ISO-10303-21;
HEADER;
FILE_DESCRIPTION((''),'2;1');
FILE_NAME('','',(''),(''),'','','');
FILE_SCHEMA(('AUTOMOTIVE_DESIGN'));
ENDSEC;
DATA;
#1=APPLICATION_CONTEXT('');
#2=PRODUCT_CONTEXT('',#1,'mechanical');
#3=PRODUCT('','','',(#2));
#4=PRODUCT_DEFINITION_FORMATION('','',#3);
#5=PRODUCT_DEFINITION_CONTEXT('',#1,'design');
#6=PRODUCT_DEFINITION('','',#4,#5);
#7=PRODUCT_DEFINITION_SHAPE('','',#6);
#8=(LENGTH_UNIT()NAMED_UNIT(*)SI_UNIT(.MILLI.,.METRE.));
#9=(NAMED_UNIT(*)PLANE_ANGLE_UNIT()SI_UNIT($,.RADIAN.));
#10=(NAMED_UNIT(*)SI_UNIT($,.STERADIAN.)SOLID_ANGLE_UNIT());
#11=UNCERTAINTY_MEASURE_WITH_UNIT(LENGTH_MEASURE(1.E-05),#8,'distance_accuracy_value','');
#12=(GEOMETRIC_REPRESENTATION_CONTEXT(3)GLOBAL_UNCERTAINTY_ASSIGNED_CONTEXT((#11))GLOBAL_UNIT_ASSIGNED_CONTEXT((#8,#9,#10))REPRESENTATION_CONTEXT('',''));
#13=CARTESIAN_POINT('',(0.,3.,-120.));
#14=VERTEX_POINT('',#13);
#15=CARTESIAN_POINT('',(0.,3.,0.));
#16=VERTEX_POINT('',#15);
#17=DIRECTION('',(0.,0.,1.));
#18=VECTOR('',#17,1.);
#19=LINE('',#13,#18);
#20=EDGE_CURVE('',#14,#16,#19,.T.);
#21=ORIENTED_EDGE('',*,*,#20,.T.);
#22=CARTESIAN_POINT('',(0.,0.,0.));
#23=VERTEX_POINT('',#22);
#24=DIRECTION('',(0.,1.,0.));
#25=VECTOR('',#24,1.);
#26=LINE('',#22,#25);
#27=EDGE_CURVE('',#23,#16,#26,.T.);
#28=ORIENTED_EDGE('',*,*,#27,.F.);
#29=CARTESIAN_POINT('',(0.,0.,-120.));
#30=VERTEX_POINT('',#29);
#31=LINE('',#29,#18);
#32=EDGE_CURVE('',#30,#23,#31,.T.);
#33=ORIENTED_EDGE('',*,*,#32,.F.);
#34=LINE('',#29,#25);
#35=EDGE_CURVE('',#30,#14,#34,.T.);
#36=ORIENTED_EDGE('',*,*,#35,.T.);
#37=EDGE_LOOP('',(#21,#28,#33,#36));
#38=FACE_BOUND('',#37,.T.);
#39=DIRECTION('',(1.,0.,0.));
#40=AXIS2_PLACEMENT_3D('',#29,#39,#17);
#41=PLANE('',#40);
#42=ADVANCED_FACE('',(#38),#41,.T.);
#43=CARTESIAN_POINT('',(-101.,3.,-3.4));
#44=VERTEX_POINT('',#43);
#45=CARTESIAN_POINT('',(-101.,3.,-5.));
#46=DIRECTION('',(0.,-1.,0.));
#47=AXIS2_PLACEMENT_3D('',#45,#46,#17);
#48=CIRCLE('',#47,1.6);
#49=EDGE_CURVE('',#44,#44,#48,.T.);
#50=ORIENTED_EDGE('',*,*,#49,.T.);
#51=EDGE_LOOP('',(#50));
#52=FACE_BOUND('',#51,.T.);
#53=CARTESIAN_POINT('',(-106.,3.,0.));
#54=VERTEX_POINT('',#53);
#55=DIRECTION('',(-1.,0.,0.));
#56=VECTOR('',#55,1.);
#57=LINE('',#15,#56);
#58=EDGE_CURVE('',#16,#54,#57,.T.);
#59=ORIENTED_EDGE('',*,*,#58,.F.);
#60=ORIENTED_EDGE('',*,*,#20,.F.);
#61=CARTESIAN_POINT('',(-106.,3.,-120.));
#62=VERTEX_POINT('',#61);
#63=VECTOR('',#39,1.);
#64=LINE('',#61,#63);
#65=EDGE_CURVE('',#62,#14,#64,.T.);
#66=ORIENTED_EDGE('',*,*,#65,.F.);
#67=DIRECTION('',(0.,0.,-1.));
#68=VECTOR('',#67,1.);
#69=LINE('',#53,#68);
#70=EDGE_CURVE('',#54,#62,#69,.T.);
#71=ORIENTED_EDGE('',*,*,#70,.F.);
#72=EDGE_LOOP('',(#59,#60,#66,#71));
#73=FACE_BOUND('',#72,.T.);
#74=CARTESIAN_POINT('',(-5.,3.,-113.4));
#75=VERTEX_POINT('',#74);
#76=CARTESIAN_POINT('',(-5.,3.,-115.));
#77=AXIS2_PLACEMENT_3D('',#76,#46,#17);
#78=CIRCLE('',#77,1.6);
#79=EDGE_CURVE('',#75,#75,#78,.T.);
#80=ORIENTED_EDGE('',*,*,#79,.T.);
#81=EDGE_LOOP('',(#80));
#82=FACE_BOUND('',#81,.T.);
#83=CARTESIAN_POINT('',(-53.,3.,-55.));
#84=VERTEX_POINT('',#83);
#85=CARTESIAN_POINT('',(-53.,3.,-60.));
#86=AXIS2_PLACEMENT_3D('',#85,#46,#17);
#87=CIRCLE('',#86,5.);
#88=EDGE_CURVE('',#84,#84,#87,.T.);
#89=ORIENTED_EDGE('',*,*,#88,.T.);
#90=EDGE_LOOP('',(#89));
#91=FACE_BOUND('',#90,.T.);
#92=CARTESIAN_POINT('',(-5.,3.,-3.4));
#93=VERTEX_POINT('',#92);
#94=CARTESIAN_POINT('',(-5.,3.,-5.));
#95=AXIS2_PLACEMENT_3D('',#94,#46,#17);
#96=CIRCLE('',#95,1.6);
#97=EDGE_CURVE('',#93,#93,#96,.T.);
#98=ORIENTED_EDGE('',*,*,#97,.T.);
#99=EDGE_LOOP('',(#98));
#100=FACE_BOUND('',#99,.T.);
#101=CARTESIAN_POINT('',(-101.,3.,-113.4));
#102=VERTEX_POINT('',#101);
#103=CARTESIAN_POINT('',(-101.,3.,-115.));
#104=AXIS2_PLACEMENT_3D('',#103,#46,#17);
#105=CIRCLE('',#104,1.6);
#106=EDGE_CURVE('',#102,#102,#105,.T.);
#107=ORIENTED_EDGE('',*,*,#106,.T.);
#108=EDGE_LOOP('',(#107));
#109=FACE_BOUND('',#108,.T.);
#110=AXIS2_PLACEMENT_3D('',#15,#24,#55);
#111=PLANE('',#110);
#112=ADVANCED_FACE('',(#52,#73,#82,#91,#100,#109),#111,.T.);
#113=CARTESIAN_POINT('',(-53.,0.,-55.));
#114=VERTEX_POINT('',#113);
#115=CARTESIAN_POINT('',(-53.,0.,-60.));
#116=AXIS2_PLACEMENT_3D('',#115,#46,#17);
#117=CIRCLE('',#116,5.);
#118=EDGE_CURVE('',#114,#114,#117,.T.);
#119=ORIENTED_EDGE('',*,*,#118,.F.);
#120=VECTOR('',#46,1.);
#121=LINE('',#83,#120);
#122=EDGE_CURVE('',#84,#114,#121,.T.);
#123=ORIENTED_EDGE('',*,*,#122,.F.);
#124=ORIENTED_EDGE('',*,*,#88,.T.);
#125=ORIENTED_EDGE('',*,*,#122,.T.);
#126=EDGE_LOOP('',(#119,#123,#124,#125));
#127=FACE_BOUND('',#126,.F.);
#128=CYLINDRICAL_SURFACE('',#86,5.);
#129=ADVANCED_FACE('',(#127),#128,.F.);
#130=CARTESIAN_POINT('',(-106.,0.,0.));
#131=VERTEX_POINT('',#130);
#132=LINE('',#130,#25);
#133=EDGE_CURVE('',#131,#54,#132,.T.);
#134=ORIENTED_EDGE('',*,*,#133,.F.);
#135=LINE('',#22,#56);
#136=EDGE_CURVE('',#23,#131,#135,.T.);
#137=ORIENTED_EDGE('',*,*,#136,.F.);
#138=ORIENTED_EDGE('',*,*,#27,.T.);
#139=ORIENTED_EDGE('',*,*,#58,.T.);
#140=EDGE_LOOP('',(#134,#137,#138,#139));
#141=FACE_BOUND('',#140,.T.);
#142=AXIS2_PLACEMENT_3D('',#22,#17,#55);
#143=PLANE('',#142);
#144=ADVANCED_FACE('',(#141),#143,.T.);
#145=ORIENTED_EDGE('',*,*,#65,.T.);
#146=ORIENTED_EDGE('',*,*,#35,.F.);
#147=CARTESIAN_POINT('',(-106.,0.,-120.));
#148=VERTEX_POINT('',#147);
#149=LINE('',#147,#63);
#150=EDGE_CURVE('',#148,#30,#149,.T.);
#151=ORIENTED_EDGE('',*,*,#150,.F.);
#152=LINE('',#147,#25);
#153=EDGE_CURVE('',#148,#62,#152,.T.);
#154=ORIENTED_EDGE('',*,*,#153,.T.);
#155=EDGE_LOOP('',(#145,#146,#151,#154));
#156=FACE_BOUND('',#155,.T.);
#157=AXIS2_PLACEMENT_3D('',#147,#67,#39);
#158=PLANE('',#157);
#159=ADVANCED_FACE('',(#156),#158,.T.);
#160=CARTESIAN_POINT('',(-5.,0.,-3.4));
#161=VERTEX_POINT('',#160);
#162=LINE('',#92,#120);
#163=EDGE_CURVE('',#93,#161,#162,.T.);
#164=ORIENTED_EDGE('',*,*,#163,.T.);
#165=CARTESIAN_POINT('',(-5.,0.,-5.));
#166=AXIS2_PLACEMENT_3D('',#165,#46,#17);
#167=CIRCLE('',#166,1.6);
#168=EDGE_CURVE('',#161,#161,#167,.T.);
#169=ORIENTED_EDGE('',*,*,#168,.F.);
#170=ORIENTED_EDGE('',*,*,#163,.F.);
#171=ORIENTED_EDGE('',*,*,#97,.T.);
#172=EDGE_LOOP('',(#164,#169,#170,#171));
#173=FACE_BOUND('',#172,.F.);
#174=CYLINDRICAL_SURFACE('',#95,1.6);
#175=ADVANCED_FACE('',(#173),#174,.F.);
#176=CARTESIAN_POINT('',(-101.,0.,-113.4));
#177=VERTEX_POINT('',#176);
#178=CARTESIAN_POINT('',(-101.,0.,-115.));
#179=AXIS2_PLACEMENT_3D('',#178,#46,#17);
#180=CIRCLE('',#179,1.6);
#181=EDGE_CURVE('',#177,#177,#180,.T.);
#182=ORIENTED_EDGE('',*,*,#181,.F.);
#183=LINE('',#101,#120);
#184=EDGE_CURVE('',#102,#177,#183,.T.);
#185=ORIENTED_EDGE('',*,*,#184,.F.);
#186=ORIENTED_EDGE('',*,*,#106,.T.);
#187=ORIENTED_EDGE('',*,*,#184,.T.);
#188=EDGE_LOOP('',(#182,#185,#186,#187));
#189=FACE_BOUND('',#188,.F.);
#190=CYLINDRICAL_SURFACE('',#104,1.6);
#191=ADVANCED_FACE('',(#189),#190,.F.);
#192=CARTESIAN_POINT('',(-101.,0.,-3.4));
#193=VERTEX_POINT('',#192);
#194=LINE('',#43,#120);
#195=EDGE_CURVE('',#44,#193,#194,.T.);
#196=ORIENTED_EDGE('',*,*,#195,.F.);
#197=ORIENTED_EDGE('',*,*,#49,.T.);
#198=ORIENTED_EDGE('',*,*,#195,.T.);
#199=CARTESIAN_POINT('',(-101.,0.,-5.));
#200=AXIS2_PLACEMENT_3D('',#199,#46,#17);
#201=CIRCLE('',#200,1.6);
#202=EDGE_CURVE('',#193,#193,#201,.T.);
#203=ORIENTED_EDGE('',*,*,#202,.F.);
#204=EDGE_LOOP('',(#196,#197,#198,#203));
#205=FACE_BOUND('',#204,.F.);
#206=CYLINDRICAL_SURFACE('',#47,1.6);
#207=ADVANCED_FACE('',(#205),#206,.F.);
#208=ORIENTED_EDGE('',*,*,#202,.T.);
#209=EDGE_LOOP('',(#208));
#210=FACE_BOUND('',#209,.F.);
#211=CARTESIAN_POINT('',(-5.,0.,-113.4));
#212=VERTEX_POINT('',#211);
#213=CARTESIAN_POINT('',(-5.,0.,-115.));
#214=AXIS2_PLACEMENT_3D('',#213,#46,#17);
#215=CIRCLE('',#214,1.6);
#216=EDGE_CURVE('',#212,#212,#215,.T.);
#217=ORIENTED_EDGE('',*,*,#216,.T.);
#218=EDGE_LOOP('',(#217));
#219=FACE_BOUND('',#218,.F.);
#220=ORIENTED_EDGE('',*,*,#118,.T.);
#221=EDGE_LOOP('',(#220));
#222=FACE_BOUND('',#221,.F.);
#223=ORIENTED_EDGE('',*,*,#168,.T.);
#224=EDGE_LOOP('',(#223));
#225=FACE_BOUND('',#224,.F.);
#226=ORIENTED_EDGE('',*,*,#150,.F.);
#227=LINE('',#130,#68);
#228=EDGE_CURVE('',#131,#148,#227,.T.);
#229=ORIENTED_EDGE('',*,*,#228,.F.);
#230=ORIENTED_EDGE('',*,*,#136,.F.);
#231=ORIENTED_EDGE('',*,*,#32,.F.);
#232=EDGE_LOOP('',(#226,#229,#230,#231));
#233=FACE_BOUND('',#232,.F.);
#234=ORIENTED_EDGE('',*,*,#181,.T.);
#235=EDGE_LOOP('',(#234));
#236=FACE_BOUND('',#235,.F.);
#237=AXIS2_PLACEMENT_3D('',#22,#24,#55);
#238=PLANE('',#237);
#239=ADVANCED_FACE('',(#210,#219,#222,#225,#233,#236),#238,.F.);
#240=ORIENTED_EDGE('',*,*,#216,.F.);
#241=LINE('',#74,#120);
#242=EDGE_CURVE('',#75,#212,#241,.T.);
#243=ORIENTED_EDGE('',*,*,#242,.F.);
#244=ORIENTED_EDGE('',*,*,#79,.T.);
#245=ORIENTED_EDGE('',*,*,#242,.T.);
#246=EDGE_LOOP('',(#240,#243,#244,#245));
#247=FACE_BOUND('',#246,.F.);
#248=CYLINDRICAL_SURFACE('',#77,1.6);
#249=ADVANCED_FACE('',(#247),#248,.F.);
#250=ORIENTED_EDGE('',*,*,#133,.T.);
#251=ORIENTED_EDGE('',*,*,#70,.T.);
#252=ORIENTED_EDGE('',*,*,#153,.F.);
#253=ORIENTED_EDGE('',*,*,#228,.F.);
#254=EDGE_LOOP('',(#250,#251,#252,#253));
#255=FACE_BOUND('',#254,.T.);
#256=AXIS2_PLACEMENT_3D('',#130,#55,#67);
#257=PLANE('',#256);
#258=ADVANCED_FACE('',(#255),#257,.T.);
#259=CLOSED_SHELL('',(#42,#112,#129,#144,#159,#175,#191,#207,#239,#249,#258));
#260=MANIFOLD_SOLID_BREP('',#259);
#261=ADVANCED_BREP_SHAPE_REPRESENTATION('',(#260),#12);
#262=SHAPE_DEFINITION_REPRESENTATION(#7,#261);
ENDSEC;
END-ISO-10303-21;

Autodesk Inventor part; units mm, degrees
ref_plane "YZ Plane" through (0, 0, 0) normal (1, 0, 0) x (0, 1, 0)
ref_plane "XZ Plane" through (0, 0, 0) normal (0, 1, 0) x (-1, 0, 0)
ref_plane "XY Plane" through (0, 0, 0) normal (0, 0, 1) x (1, 0, 0)
sketch "スケッチ1" plane through (0, 0, 0) normal (0, 1, 0) x (-1, 0, 0)
  line L0 (0, 0) -> (106, 0)
  line L1 (106, 0) -> (106, -120)
  line L2 (106, -120) -> (0, -120)
  line L3 (0, -120) -> (0, 0)
  dimension "d0" = 106
  dimension "d1" = 120
extrude "押し出し1" add sketch "スケッチ1" along normal blind 3
sketch "スケッチ4" plane through (0, 3, 0) normal (0, 1, 0) x (1, 0, 0)
  line L0 (-106, 120) -> (-106, 0) projected
  line L1 (-106, 5) -> (0, 5)
  line L2 (0, 0) -> (0, 120) projected
  line L3 (-120, 115) -> (0, 115)
  line L4 (-106, 0) -> (0, 0) projected
  line L5 (0, 120) -> (-106, 120) projected
  line L6 (-106, 0) -> (0, 0) projected
  line L7 (-101, 0) -> (-101, 120)
  line L8 (-5, 120) -> (-5, 0)
  point P0 (-101, 5)
  point P1 (-5, 5)
  point P2 (-5, 115)
  point P3 (-101, 115)
  dimension "d22" = 5
  dimension "d23" = 5
  dimension "d24" = 5
  dimension "d25" = 5
hole "穴2" at (-101, 3, -5) at (-5, 3, -5) at (-5, 3, -115) at (-101, 3, -115) direction (0, -1, 0) diameter 3.2 end through all
sketch "スケッチ5" plane through (0, 3, 0) normal (0, 1, 0) x (1, 0, 0)
  line L0 (-106, 120) -> (-106, 0) projected
  line L1 (-106, 60) -> (0, 60)
  line L2 (0, 0) -> (0, 120) projected
  point P0 (-53, 60)
hole "穴3" at (-53, 3, -60) direction (0, -1, 0) diameter 10 end through all
equation "\"d38\" = Thickness"
equation "\"BendRadius\" = Thickness"
equation "\"BendReliefWidth\" = Thickness"
equation "\"BendReliefDepth\" = 0.5 * Thickness"
equation "\"CornerReliefSize\" = 4 * Thickness"
equation "\"MinimumRemnant\" = 2 * Thickness"
equation "\"TransitionRadius\" = BendRadius"
equation "\"JacobiRadiusSize\" = BendRadius"
equation "\"GapSize\" = Thickness"
equation "\"Thickness\" = 0.5"
properties part number "link2_plate3" material "アルミニウム 6061"
